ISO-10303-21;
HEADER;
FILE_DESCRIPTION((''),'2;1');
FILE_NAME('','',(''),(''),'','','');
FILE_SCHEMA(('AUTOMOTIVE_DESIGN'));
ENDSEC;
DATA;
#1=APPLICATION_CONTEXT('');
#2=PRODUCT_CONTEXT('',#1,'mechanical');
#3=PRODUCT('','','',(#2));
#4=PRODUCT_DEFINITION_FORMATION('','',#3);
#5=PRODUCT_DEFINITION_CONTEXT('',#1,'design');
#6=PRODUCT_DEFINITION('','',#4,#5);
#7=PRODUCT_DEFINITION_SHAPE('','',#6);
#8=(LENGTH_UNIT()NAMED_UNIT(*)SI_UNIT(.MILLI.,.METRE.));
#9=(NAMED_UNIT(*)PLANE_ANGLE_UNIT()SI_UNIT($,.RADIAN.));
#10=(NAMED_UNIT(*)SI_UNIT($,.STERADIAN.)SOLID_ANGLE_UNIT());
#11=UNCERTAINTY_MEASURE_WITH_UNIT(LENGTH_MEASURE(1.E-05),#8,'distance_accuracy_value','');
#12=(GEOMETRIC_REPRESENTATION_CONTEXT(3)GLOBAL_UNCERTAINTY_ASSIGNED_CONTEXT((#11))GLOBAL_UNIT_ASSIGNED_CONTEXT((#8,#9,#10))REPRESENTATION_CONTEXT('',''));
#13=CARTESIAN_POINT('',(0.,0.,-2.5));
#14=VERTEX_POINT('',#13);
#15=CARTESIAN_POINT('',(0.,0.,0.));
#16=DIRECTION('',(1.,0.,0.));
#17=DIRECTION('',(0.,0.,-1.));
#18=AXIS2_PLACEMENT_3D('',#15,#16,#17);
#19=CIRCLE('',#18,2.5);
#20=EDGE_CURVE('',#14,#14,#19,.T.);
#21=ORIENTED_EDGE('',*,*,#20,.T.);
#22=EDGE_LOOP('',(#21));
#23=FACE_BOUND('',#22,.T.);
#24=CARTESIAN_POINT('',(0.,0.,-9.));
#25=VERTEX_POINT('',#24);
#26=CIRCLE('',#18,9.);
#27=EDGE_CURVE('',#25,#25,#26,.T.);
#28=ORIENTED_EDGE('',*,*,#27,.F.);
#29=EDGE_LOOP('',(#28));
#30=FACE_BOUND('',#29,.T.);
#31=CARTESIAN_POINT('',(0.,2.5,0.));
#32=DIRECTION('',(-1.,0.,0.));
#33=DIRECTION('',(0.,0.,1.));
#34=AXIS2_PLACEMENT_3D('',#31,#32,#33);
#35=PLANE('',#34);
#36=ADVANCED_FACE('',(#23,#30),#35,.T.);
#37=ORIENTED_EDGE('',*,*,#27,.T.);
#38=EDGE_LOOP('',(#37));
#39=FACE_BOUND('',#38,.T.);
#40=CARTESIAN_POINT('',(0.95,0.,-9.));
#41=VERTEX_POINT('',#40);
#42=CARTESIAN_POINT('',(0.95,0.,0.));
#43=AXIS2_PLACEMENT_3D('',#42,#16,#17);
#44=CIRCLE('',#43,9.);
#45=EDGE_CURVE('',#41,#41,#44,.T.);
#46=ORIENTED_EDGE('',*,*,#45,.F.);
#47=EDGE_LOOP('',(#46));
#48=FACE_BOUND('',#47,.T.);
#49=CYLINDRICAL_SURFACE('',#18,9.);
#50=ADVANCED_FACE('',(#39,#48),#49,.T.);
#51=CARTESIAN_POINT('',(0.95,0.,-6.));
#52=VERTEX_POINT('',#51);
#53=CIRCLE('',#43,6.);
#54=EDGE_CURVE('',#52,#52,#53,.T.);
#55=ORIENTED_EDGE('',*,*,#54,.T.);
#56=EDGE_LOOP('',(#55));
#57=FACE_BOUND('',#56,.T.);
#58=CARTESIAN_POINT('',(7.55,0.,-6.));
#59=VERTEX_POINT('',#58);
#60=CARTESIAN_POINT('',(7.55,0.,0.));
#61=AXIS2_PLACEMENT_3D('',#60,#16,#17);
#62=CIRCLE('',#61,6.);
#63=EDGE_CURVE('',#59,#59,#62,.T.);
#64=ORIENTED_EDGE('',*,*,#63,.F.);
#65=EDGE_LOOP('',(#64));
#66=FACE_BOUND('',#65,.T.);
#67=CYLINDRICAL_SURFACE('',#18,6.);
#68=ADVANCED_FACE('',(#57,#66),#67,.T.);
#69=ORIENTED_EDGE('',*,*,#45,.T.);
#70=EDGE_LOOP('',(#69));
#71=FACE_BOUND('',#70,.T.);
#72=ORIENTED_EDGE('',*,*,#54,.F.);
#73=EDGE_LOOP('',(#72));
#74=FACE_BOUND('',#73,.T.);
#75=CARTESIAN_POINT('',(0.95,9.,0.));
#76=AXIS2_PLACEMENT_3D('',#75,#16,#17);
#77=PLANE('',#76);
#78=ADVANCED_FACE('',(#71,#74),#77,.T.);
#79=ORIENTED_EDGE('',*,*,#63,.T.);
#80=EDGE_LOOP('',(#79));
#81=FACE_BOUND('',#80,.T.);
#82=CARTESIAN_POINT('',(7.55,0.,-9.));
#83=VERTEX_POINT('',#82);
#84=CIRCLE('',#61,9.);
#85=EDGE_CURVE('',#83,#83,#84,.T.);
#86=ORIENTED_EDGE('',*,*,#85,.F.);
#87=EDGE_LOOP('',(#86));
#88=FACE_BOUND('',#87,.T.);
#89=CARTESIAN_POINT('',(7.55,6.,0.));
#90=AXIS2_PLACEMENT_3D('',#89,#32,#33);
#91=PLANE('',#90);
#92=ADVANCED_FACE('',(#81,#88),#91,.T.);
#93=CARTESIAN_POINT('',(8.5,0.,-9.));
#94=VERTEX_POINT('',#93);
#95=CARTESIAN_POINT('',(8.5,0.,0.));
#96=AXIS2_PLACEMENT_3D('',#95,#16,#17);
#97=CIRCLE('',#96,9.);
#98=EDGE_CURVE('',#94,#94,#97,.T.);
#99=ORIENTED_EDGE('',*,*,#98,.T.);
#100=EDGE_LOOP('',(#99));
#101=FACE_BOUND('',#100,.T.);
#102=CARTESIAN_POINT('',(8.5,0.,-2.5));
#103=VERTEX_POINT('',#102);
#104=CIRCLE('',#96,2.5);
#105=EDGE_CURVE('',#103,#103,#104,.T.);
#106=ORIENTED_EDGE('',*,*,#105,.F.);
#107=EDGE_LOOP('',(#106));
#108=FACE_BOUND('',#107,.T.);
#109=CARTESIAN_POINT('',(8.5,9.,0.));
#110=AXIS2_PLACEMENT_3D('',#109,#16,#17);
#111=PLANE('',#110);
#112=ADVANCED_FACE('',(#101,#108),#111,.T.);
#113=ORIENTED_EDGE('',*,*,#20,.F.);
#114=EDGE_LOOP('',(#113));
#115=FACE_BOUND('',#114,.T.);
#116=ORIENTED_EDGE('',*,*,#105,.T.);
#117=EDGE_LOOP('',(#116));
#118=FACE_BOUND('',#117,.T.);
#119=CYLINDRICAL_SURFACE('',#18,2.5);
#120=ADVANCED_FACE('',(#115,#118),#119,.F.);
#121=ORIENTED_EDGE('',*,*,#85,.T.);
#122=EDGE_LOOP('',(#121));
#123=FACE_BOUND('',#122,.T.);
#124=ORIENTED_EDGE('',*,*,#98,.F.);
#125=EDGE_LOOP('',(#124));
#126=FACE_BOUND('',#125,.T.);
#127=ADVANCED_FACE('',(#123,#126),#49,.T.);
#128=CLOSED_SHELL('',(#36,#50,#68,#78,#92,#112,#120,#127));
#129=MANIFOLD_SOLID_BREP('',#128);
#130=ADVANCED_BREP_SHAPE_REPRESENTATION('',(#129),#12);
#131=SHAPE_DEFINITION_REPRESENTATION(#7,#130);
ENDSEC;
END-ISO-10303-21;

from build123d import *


with BuildPart() as part:
    # Sketch1 → Revolve1 (revolve)
    with BuildSketch(Plane.XY, mode=Mode.PRIVATE) as revolve1_sk:
        Polygon((0, 2.5), (0, 9), (0.95, 9), (0.95, 6), (7.55, 6), (7.55, 9), (8.5, 9), (8.5, 2.5), align=None)
    revolve(revolve1_sk.sketch.rotate(Axis((0, 0, 0), (-1, 0, 0)), 90), axis=Axis((0, 0, 0), (-1, 0, 0)))


solid = part.part
